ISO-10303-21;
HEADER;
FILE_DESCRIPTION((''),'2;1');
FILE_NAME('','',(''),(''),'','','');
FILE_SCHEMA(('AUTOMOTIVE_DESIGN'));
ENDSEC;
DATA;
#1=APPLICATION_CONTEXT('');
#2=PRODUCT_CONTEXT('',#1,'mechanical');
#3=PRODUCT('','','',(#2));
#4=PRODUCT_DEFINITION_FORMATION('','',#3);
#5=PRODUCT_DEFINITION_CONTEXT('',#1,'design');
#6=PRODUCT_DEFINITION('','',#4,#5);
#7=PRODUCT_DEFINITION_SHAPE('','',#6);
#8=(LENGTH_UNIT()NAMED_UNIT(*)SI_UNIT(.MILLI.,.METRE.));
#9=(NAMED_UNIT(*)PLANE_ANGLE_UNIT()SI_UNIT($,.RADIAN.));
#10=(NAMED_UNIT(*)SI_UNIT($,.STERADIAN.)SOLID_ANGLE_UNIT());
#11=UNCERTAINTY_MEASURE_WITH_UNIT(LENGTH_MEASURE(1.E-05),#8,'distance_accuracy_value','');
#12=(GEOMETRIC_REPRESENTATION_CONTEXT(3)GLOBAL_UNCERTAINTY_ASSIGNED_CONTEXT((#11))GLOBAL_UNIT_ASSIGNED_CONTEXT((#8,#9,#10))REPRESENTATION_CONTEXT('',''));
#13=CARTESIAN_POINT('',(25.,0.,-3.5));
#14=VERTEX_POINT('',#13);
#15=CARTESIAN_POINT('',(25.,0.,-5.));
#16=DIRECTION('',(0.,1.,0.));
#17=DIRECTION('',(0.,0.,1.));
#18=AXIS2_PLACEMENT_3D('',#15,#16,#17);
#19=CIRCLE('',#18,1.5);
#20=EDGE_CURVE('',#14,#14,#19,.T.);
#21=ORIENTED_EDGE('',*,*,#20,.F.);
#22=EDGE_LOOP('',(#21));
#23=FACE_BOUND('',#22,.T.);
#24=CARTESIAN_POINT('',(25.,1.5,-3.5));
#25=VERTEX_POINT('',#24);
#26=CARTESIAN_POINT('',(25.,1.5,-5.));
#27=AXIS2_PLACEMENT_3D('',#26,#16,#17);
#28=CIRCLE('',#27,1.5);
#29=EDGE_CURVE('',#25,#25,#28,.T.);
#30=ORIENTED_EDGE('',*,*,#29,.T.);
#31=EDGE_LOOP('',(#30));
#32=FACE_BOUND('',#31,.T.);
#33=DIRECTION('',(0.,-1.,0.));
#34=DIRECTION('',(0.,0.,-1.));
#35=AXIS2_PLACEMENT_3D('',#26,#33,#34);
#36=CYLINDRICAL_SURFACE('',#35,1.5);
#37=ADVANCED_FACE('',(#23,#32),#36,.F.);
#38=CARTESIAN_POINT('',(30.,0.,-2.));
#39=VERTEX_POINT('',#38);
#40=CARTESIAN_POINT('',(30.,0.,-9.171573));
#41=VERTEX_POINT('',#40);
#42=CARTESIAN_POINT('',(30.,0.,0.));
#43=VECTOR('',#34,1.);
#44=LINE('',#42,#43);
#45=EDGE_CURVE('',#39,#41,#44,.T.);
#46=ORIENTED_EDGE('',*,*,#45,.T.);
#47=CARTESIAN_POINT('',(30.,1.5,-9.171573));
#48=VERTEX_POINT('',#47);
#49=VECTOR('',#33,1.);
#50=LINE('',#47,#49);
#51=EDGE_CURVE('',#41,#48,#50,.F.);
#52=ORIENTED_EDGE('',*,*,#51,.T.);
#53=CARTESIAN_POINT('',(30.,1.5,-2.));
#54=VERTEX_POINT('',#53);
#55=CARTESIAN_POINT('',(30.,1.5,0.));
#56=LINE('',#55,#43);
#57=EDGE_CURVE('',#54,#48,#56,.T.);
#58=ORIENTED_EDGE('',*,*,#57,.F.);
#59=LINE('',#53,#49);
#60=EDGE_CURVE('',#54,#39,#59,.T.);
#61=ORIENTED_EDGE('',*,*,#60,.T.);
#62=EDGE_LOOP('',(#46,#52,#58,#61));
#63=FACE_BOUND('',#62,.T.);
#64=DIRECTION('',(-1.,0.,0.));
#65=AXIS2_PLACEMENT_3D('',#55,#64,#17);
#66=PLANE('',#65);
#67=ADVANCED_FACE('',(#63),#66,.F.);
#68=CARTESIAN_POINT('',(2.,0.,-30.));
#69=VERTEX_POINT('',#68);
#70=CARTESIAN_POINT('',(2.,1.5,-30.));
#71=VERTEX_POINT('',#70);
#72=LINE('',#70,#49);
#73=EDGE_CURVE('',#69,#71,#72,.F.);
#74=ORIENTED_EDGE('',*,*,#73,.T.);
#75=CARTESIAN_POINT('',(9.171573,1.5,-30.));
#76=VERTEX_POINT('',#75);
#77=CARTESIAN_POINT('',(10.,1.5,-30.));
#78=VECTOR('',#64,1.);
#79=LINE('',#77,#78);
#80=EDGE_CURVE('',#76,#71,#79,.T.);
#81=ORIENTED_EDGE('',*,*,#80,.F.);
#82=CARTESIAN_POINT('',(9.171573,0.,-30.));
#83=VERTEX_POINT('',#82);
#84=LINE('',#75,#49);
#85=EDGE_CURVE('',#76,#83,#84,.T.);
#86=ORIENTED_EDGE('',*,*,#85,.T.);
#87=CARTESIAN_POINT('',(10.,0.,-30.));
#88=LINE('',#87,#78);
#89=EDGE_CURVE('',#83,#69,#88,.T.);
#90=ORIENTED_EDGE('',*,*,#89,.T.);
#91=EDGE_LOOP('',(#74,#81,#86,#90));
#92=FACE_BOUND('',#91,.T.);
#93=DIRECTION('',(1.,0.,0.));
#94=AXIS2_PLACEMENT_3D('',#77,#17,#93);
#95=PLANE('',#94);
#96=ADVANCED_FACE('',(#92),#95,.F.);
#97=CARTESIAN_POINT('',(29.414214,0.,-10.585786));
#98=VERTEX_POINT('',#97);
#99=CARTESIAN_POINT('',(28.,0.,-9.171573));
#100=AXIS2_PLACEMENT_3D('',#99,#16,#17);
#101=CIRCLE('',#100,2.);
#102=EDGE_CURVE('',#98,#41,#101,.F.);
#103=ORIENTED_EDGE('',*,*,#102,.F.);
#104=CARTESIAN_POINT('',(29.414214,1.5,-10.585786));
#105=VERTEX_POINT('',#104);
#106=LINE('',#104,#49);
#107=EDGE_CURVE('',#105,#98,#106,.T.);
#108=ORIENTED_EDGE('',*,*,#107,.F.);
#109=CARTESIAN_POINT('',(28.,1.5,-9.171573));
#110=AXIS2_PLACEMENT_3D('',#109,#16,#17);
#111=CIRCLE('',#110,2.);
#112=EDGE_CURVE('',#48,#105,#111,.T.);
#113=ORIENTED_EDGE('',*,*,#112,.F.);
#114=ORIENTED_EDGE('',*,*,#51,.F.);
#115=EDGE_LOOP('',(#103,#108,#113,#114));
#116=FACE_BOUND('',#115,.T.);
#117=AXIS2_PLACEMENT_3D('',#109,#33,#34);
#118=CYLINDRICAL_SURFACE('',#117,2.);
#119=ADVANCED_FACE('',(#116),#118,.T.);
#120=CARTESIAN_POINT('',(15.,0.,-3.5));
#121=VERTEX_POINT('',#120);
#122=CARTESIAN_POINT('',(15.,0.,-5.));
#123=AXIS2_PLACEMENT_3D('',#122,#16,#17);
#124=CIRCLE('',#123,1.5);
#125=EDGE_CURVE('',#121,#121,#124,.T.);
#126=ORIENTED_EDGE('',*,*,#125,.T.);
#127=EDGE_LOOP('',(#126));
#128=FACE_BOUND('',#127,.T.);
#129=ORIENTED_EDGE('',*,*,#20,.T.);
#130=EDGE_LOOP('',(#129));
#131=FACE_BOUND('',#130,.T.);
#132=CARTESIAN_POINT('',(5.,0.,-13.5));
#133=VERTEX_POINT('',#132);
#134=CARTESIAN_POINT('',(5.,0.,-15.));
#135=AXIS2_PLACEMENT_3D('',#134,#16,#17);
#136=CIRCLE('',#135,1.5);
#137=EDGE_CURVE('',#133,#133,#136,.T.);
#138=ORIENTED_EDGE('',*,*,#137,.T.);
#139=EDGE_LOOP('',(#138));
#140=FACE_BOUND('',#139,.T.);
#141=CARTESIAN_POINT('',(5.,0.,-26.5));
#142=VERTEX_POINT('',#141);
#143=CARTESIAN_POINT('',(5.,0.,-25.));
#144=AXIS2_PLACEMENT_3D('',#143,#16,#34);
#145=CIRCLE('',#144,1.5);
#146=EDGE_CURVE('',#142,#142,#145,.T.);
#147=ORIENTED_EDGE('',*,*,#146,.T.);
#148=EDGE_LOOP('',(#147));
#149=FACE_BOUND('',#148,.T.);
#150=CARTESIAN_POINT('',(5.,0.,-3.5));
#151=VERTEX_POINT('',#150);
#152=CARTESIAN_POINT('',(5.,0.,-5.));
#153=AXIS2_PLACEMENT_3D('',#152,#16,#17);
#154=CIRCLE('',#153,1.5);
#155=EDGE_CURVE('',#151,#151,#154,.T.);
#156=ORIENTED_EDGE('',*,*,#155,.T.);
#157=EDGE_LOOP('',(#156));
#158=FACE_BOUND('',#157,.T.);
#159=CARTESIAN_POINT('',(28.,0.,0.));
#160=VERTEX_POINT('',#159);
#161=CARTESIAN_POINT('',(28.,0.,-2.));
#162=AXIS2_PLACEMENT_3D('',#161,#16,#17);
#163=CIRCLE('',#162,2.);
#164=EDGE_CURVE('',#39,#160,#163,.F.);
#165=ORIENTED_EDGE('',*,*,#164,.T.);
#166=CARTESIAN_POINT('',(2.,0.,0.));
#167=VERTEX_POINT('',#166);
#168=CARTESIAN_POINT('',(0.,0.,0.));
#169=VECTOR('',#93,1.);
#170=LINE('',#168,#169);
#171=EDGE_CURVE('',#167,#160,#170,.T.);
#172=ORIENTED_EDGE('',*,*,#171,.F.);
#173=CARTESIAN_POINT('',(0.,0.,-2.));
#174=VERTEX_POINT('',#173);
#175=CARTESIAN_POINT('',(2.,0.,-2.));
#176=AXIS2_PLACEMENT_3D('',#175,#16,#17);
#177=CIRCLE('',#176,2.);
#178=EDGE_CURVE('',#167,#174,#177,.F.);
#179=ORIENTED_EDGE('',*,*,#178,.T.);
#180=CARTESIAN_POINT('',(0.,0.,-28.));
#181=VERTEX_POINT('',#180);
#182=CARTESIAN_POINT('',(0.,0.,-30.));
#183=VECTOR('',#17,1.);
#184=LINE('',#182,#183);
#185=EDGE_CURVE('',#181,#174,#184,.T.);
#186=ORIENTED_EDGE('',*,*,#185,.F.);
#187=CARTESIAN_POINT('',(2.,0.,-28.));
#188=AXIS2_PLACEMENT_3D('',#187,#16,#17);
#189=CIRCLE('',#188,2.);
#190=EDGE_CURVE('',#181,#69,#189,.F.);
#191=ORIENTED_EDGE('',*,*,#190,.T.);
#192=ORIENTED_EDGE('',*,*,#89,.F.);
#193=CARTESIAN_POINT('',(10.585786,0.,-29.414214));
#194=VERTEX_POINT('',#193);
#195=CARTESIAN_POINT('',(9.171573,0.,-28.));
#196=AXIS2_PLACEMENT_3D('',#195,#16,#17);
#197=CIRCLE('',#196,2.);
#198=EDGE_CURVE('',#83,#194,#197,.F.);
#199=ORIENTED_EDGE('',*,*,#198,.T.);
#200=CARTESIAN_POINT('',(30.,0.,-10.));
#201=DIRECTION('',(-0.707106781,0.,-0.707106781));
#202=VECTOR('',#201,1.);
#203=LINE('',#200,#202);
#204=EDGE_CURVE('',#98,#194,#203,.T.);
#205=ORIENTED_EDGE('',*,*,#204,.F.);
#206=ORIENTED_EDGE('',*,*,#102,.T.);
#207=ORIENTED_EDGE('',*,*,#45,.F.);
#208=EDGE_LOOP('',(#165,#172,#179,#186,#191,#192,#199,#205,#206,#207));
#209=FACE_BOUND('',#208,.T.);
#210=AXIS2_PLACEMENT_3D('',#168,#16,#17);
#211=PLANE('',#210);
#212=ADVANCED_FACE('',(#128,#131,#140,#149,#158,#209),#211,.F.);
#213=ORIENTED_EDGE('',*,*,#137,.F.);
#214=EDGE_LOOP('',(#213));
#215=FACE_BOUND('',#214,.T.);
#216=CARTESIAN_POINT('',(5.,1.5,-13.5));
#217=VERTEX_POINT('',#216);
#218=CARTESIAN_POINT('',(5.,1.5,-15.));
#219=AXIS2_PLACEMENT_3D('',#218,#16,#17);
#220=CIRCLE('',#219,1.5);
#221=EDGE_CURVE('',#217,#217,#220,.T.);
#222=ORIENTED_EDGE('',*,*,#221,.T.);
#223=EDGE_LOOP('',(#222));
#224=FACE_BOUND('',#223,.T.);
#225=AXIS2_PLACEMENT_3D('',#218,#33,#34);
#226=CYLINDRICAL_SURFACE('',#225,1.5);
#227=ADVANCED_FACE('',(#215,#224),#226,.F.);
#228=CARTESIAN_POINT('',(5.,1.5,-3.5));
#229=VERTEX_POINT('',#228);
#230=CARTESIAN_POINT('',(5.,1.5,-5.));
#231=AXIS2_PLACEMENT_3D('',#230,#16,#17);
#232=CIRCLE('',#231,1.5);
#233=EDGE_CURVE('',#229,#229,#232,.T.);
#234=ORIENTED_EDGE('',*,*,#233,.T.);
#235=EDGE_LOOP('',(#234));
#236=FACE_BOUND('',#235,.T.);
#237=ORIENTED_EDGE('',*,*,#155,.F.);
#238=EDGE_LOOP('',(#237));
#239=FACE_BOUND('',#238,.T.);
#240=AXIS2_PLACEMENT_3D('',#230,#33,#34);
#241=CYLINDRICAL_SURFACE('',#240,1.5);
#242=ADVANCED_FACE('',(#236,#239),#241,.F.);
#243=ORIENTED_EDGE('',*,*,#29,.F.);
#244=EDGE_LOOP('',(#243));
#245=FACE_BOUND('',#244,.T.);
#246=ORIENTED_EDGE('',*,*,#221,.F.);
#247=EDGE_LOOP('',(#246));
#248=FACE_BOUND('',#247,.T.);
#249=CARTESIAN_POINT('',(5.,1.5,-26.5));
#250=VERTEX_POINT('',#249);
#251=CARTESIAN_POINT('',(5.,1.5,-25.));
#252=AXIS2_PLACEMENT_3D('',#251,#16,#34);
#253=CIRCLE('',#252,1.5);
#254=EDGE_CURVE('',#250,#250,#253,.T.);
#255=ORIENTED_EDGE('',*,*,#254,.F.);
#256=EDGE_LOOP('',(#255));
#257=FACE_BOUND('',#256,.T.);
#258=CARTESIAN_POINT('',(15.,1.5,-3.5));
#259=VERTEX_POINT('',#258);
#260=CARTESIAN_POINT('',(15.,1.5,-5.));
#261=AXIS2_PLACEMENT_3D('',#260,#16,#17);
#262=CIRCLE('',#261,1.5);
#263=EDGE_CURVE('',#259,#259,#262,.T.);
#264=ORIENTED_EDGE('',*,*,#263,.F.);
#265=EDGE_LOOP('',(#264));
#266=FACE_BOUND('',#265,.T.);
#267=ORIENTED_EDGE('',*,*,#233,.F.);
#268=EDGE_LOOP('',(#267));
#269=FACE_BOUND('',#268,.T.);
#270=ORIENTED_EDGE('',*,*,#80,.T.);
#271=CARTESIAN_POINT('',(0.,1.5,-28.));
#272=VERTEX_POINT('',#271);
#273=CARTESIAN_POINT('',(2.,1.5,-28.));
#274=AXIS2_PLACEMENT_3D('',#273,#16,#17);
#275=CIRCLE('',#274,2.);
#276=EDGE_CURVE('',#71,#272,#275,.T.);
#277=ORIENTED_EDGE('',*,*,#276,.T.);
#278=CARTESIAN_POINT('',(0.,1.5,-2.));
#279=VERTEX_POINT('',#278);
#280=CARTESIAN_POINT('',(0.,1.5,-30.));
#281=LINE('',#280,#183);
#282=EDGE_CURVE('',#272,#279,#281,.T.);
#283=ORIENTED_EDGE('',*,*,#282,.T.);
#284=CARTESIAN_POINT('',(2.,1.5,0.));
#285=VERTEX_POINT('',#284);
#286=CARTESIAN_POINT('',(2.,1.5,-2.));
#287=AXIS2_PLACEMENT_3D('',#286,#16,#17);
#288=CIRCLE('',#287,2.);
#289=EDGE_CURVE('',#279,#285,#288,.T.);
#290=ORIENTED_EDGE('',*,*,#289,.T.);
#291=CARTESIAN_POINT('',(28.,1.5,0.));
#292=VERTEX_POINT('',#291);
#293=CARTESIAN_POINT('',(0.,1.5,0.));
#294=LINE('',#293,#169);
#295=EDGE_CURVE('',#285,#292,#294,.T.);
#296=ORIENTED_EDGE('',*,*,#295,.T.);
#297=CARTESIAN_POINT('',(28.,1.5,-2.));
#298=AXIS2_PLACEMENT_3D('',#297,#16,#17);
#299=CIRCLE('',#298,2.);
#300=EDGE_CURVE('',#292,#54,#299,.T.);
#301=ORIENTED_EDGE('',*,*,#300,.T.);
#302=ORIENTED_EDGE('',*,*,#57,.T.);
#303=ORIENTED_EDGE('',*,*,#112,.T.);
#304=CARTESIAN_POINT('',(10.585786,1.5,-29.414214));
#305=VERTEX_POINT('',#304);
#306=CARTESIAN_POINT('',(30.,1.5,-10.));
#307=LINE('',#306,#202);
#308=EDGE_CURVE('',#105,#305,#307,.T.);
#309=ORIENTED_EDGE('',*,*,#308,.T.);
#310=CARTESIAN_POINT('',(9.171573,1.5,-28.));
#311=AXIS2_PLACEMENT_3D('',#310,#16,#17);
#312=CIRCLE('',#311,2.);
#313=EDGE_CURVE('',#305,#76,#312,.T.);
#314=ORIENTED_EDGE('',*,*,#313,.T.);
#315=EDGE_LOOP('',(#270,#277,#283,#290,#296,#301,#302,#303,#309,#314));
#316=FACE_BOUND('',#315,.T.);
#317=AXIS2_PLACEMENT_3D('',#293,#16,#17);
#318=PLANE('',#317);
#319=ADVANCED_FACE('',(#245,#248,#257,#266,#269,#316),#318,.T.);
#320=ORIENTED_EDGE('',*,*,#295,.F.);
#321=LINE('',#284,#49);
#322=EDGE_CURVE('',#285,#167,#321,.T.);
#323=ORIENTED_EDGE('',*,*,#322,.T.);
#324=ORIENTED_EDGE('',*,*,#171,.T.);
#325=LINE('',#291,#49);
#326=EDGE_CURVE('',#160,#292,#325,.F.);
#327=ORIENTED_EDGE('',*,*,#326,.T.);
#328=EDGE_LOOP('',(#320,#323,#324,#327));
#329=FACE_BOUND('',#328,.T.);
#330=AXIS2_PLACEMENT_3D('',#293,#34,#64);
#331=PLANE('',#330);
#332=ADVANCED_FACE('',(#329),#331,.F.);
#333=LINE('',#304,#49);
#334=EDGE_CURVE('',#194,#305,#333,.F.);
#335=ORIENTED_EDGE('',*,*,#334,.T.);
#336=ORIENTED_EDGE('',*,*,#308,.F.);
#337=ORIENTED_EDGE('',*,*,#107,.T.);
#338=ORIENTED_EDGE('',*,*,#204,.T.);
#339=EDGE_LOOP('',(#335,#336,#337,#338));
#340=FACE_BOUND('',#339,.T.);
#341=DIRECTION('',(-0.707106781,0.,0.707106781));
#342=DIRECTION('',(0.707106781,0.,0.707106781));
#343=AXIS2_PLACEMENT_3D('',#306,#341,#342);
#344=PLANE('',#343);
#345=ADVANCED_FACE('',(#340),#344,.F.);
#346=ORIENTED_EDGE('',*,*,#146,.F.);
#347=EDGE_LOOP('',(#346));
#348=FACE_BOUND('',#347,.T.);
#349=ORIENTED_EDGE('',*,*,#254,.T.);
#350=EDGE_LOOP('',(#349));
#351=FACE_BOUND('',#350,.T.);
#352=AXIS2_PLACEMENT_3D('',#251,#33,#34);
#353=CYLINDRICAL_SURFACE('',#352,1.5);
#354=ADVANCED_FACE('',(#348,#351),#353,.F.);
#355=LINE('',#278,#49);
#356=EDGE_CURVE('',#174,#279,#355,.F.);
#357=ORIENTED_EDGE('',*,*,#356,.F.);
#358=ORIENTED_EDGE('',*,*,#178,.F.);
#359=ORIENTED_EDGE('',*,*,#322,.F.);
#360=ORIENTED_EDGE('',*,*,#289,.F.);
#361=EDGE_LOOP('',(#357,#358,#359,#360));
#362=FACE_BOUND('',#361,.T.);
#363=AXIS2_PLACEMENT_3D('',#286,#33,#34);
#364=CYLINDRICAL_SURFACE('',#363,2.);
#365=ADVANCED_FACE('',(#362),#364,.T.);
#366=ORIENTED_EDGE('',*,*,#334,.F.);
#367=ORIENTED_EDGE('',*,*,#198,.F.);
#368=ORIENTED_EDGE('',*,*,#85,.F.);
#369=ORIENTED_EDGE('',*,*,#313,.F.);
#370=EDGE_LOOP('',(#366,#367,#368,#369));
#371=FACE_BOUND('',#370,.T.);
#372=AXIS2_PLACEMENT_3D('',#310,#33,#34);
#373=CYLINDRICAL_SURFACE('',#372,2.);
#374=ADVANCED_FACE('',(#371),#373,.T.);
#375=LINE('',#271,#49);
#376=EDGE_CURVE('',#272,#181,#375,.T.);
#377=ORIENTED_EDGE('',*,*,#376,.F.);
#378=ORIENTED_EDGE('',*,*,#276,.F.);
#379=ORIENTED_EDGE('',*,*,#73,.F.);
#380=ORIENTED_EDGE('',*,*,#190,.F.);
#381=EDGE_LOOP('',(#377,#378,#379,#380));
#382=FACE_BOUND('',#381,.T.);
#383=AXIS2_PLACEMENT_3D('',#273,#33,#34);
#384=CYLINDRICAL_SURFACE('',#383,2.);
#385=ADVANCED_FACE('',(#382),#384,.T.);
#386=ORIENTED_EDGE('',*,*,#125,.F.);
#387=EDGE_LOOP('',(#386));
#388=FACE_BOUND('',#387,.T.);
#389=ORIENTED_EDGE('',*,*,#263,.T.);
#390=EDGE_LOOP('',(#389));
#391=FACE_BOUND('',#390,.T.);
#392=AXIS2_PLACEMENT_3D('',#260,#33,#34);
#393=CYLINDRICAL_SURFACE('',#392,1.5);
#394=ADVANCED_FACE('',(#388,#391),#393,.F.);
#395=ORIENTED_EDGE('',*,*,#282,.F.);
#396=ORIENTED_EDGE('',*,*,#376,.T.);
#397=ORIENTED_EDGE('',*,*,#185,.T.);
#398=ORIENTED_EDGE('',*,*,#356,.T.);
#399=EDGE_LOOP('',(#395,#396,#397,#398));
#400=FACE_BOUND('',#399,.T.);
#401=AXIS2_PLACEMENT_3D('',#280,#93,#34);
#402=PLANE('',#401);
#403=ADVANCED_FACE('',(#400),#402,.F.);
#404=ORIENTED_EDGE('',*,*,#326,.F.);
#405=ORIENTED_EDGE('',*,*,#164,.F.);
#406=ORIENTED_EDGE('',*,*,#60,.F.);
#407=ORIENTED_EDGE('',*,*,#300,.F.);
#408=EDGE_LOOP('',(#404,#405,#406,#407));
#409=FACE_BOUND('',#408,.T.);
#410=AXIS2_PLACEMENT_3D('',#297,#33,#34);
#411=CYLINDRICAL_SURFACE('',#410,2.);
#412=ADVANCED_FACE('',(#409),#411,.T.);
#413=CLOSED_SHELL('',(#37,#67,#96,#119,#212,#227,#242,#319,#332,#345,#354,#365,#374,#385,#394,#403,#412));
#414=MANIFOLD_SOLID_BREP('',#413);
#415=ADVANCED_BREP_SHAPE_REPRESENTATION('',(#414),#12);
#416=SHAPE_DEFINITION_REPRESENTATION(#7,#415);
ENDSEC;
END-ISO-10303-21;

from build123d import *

# Parameters (mm, degrees)
SKETCH_2_R      = 1.5
EXTRUDE_1_DEPTH = 1.5
FILLET_1_R      = 2


with BuildPart() as part:
    # ｽｹｯﾁ2 → ﾎﾞｽ - 押し出し1 (new body)
    with BuildSketch(Plane(origin=(0, 0, 0), x_dir=(1, 0, 0), z_dir=(0, 1, 0))):
        Polygon((0, 0), (30, 0), (30, 10), (10, 30), (0, 30), align=None)
        with Locations(Location((5, 5, 0), (0, 0, 270))):
            Circle(SKETCH_2_R, mode=Mode.SUBTRACT)
        with Locations(Location((25, 5, 0), (0, 0, 270))):
            Circle(SKETCH_2_R, mode=Mode.SUBTRACT)
        with Locations(Location((5, 25, 0), (0, 0, 90))):
            Circle(SKETCH_2_R, mode=Mode.SUBTRACT)
        with Locations(Location((15, 5, 0), (0, 0, 270))):
            Circle(SKETCH_2_R, mode=Mode.SUBTRACT)
        with Locations(Location((5, 15, 0), (0, 0, 270))):
            Circle(SKETCH_2_R, mode=Mode.SUBTRACT)
    extrude(amount=EXTRUDE_1_DEPTH)

    # ﾌｨﾚｯﾄ1
    fillet_1_edges = [part.edges().sort_by_distance(p)[0] for p in [
        (0, 0.75, -30),
        (10, 0.75, -30),
        (30, 0.75, -10),
        (30, 0.75, 0),
        (0, 0.75, 0),
    ]]
    fillet(fillet_1_edges, radius=FILLET_1_R)


solid = part.part
